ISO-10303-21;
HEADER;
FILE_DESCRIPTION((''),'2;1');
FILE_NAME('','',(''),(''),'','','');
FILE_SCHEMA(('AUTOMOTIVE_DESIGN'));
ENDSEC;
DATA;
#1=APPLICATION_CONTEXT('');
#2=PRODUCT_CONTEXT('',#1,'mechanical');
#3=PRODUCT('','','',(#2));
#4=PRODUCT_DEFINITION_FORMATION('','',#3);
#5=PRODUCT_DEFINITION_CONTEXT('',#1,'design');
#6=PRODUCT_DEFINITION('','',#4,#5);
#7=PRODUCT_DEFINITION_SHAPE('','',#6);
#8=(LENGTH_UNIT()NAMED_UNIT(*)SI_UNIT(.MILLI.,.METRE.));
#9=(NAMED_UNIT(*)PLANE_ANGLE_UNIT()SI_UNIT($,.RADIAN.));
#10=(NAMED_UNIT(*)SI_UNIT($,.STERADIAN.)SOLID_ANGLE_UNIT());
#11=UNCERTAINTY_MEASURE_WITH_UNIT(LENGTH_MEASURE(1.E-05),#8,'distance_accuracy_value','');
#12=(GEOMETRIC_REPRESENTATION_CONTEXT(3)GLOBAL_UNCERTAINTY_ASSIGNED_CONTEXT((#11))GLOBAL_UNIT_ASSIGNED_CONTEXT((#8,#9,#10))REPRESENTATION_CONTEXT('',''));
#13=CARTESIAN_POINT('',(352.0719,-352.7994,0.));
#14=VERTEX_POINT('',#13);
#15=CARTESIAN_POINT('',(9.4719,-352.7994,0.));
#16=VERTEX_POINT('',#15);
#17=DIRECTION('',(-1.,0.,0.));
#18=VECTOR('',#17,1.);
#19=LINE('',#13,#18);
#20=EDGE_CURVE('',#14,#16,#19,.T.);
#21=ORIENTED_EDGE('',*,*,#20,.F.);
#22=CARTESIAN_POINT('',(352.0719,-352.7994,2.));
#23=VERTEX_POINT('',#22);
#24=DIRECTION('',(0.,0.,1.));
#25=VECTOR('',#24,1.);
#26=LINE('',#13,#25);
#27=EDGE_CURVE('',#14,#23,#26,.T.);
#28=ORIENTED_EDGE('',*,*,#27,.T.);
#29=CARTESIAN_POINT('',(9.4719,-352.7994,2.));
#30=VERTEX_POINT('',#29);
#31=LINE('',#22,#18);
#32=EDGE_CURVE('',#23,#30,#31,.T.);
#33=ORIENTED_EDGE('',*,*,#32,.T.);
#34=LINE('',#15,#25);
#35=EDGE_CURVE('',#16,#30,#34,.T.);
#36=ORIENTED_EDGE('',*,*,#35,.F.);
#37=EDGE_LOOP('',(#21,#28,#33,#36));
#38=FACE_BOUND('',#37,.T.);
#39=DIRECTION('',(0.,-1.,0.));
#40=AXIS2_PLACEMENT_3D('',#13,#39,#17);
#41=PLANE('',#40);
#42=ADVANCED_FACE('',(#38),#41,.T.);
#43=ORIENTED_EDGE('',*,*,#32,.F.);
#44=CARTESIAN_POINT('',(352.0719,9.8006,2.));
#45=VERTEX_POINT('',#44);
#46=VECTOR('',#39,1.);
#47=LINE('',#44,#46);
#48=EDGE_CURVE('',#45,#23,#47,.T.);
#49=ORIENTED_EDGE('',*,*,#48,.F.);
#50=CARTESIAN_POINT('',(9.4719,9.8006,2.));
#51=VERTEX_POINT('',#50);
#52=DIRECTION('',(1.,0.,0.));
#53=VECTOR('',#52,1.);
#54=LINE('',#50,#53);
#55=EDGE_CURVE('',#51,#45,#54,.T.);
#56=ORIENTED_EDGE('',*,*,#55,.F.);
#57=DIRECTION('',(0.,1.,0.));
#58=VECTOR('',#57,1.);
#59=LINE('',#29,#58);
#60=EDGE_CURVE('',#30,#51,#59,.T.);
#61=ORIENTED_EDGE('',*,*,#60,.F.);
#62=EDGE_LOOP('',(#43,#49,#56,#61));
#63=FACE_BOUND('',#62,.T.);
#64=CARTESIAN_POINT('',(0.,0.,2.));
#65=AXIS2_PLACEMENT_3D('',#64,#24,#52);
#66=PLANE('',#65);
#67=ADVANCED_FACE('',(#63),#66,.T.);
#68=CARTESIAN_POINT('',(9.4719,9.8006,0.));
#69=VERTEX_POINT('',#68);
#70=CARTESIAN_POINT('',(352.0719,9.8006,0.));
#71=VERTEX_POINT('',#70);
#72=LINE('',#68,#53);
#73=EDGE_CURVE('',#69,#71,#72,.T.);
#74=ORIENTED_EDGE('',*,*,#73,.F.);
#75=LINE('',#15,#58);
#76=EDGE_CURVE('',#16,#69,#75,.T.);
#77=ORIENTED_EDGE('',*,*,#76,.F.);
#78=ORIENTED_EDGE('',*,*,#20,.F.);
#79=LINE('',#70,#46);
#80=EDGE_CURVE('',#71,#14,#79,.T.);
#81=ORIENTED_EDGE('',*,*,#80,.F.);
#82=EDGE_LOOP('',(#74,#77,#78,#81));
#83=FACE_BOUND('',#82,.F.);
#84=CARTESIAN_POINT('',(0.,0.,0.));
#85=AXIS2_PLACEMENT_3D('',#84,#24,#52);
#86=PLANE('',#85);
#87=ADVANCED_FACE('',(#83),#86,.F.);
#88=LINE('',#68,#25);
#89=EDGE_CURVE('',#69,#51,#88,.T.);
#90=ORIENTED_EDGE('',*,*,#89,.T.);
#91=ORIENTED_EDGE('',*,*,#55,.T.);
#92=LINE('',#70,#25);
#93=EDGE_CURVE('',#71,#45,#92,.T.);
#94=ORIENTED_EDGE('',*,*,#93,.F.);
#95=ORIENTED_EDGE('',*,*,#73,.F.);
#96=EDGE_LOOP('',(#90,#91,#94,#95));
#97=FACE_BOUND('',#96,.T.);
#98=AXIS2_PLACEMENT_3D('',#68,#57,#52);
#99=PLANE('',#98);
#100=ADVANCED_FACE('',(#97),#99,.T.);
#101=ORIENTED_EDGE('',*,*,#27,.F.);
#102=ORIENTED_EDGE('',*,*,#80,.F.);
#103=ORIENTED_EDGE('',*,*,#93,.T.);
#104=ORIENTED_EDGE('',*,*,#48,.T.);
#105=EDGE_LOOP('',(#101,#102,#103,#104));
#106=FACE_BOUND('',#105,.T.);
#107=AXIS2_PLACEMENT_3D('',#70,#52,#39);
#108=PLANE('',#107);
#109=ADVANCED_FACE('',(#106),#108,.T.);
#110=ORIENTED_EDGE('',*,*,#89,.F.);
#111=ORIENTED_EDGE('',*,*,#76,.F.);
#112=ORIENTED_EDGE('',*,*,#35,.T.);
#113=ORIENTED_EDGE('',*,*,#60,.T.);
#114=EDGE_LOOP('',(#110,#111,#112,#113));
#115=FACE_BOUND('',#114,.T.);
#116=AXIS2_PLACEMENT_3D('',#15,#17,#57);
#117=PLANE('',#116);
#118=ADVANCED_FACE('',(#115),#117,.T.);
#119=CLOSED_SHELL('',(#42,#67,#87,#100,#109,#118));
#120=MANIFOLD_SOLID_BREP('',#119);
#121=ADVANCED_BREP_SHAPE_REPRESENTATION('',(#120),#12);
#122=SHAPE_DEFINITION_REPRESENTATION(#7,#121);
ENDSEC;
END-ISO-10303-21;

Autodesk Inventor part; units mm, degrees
ref_plane "YZ Plane" through (0, 0, 0) normal (1, 0, 0) x (0, 1, 0)
ref_plane "XZ Plane" through (0, 0, 0) normal (0, 1, 0) x (-1, 0, 0)
ref_plane "XY Plane" through (0, 0, 0) normal (0, 0, 1) x (1, 0, 0)
sketch "Szkic1" plane through (0, 0, 0) normal (0, 0, 1) x (1, 0, 0)
  line L0 (9.4719, 9.8006) -> (352.0719, 9.8006)
  line L1 (352.0719, 9.8006) -> (352.0719, -352.7994)
  line L2 (352.0719, -352.7994) -> (9.4719, -352.7994)
  line L3 (9.4719, -352.7994) -> (9.4719, 9.8006)
  point P0 (0, 0)
  point P1 (24.4719, -337.7994)
  point P2 (337.0719, -337.7994)
  point P3 (24.4719, -5.1994)
  point P4 (337.0719, -5.1994)
  dimension "d0" = 342.6
  dimension "d1" = 362.6
  dimension "d4" = 15
  dimension "d5" = 15
  dimension "d6" = 15
  dimension "d7" = 15
  dimension "d8" = 15
  dimension "d9" = 15
  dimension "d10" = 15
  dimension "d11" = 15
  dimension "d19" = 312.6
  dimension "d20" = 332.6
extrude "Wyciągnięcie proste1" add sketch "Szkic1" along normal blind 2
equation "\"d5\" = d4"
equation "\"d6\" = d4"
equation "\"d7\" = d4"
equation "\"d8\" = d4"
equation "\"d9\" = d4"
equation "\"d10\" = d4"
equation "\"d11\" = d4"
properties part number "CUT_Heatbed_2mm_Glass"
